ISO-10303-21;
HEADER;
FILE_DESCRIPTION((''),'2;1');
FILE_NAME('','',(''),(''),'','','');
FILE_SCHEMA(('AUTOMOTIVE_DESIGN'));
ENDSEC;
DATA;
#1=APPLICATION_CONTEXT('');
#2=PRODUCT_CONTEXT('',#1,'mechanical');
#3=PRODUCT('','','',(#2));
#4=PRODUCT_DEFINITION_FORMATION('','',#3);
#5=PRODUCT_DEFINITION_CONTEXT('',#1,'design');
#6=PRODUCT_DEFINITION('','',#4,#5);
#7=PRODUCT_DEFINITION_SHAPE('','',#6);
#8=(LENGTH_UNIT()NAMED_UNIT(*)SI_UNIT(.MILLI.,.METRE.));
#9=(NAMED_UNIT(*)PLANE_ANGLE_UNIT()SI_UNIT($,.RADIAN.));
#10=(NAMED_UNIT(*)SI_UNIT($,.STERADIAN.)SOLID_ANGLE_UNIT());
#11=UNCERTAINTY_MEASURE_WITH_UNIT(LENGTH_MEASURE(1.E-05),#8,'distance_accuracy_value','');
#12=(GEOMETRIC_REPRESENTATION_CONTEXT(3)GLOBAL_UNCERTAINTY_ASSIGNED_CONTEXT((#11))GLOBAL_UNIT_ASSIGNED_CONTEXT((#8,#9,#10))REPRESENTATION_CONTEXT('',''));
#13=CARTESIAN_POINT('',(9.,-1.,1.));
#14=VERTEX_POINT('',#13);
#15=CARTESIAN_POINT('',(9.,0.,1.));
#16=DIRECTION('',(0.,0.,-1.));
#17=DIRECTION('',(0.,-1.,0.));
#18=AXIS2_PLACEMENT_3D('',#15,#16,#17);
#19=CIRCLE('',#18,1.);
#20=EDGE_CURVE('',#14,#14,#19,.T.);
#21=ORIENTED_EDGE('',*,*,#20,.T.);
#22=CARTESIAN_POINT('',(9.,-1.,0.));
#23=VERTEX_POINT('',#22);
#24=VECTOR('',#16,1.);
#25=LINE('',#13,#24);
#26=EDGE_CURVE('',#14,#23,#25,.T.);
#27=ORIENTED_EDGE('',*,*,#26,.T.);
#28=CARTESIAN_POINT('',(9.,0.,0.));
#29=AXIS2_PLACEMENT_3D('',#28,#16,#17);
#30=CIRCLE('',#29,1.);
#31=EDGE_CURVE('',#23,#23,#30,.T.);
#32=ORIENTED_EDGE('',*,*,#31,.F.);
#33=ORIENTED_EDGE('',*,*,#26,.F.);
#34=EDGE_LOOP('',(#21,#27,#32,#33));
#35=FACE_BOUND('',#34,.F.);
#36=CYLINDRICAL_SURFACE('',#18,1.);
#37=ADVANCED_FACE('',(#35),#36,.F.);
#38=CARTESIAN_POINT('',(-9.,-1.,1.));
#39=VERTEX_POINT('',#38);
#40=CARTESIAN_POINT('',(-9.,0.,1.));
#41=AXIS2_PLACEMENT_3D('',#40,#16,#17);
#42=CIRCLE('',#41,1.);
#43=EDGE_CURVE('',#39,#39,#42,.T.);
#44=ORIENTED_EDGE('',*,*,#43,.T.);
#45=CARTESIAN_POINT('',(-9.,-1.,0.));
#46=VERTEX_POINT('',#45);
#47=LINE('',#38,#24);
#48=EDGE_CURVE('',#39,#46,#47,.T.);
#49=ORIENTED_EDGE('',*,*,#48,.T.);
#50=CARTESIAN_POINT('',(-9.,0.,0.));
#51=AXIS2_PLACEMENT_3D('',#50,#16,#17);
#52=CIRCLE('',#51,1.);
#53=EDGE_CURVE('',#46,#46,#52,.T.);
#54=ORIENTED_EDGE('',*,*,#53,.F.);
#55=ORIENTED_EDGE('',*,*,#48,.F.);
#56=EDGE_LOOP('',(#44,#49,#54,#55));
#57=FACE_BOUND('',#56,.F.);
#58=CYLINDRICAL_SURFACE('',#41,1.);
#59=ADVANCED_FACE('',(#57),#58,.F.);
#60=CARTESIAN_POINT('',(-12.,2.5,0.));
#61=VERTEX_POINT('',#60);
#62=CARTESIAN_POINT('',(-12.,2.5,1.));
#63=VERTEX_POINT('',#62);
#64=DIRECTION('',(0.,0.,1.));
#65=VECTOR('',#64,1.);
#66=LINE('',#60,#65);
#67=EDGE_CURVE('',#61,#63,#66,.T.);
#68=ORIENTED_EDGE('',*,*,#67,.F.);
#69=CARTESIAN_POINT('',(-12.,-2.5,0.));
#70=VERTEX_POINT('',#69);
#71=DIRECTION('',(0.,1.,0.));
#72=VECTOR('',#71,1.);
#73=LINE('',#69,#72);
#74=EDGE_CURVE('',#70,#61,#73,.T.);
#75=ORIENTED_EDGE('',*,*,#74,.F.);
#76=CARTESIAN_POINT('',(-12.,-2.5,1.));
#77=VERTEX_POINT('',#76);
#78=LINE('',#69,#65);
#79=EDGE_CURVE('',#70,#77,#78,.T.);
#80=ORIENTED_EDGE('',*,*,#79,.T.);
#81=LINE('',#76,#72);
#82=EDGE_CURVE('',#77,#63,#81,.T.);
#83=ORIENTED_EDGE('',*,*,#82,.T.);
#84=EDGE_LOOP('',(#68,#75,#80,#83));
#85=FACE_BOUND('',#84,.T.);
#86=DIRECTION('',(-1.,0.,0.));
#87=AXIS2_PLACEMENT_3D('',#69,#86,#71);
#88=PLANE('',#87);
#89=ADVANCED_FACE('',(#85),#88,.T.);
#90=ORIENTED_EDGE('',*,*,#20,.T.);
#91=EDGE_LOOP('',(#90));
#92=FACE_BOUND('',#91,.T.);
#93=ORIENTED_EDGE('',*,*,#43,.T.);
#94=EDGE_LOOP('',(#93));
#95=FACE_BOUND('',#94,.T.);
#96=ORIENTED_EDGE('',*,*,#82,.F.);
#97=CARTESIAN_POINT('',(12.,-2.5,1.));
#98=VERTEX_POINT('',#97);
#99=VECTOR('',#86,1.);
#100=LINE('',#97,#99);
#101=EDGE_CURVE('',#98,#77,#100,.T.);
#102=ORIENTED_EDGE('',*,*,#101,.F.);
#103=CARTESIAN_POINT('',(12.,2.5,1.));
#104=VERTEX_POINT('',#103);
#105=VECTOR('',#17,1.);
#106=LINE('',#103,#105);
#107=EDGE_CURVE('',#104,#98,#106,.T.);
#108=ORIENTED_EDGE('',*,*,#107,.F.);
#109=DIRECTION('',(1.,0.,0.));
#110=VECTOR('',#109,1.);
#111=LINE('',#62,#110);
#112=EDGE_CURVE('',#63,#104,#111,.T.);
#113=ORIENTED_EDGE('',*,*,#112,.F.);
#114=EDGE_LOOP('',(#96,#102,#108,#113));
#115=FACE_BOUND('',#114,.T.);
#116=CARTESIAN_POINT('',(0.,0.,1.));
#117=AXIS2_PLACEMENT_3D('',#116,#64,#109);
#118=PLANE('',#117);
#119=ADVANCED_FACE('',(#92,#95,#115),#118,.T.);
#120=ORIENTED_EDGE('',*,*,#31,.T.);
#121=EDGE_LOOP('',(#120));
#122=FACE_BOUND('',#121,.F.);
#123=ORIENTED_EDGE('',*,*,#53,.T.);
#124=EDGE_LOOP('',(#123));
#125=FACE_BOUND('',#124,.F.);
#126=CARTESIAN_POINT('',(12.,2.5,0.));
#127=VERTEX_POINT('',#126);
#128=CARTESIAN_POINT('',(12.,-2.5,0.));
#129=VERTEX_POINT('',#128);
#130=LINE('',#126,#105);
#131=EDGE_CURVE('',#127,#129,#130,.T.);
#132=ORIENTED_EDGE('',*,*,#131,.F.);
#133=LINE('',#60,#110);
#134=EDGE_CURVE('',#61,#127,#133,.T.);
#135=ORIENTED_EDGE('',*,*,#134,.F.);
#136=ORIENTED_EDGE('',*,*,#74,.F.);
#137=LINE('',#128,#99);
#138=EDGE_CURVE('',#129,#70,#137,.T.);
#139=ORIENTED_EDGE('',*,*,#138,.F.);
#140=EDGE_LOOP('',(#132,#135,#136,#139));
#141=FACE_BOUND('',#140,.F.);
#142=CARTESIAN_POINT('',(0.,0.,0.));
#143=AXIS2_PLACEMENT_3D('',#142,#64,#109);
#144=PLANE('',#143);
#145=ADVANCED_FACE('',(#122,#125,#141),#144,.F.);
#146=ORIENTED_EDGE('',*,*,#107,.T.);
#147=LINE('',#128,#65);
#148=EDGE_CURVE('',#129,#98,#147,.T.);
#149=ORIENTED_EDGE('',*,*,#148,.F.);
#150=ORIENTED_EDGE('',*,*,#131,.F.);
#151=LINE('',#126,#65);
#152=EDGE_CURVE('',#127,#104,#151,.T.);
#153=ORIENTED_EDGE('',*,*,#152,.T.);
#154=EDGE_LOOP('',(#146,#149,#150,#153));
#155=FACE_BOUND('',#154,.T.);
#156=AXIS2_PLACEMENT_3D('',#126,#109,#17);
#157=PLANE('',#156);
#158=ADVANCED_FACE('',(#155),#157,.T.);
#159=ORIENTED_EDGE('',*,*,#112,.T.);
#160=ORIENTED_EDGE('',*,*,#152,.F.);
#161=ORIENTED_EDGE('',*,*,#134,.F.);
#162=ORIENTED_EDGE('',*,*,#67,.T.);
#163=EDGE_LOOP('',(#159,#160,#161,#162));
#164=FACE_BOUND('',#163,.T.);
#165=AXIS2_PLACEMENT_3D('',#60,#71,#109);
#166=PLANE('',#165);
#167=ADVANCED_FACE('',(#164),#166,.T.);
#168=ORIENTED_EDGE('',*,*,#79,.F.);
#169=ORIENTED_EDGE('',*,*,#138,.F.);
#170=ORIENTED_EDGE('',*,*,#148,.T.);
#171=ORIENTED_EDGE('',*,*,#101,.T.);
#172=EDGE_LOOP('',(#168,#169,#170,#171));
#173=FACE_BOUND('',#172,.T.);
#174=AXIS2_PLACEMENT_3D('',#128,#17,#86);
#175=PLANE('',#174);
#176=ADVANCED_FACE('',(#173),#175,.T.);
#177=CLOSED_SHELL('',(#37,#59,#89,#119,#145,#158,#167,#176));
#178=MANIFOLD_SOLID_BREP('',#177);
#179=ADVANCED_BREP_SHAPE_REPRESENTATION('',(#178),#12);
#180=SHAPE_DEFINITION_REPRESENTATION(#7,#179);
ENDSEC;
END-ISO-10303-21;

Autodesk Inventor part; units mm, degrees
ref_plane "YZ Plane" through (0, 0, 0) normal (1, 0, 0) x (0, 1, 0)
ref_plane "XZ Plane" through (0, 0, 0) normal (0, 1, 0) x (-1, 0, 0)
ref_plane "XY Plane" through (0, 0, 0) normal (0, 0, 1) x (1, 0, 0)
sketch "Sketch1" plane through (0, 0, 0) normal (0, 0, 1) x (1, 0, 0)
  line L0 (-12, 2.5) -> (12, 2.5)
  line L1 (12, 2.5) -> (12, -2.5)
  line L2 (12, -2.5) -> (-12, -2.5)
  line L3 (-12, -2.5) -> (-12, 2.5)
  point P0 (0, 0)
  point P1 (12, 0)
  point P2 (0, 2.5)
  dimension "d0" = 24
  dimension "d1" = 5
extrude "Extrusion1" add sketch "Sketch1" along normal blind 1
sketch "Sketch2" plane through (0, 0, 1) normal (0, 0, 1) x (1, 0, 0)
  line L0 (-9, 0) -> (9, 0) construction
  point P0 (0, 0)
  point P1 (0, 0)
  dimension "d4" = 18
hole "Hole1" at (9, 0, 1) at (-9, 0, 1) direction (0, 0, -1) diameter 2 end through all
properties part number "probe-side-large-mesh-support-plate" material "Stainless Steel"
